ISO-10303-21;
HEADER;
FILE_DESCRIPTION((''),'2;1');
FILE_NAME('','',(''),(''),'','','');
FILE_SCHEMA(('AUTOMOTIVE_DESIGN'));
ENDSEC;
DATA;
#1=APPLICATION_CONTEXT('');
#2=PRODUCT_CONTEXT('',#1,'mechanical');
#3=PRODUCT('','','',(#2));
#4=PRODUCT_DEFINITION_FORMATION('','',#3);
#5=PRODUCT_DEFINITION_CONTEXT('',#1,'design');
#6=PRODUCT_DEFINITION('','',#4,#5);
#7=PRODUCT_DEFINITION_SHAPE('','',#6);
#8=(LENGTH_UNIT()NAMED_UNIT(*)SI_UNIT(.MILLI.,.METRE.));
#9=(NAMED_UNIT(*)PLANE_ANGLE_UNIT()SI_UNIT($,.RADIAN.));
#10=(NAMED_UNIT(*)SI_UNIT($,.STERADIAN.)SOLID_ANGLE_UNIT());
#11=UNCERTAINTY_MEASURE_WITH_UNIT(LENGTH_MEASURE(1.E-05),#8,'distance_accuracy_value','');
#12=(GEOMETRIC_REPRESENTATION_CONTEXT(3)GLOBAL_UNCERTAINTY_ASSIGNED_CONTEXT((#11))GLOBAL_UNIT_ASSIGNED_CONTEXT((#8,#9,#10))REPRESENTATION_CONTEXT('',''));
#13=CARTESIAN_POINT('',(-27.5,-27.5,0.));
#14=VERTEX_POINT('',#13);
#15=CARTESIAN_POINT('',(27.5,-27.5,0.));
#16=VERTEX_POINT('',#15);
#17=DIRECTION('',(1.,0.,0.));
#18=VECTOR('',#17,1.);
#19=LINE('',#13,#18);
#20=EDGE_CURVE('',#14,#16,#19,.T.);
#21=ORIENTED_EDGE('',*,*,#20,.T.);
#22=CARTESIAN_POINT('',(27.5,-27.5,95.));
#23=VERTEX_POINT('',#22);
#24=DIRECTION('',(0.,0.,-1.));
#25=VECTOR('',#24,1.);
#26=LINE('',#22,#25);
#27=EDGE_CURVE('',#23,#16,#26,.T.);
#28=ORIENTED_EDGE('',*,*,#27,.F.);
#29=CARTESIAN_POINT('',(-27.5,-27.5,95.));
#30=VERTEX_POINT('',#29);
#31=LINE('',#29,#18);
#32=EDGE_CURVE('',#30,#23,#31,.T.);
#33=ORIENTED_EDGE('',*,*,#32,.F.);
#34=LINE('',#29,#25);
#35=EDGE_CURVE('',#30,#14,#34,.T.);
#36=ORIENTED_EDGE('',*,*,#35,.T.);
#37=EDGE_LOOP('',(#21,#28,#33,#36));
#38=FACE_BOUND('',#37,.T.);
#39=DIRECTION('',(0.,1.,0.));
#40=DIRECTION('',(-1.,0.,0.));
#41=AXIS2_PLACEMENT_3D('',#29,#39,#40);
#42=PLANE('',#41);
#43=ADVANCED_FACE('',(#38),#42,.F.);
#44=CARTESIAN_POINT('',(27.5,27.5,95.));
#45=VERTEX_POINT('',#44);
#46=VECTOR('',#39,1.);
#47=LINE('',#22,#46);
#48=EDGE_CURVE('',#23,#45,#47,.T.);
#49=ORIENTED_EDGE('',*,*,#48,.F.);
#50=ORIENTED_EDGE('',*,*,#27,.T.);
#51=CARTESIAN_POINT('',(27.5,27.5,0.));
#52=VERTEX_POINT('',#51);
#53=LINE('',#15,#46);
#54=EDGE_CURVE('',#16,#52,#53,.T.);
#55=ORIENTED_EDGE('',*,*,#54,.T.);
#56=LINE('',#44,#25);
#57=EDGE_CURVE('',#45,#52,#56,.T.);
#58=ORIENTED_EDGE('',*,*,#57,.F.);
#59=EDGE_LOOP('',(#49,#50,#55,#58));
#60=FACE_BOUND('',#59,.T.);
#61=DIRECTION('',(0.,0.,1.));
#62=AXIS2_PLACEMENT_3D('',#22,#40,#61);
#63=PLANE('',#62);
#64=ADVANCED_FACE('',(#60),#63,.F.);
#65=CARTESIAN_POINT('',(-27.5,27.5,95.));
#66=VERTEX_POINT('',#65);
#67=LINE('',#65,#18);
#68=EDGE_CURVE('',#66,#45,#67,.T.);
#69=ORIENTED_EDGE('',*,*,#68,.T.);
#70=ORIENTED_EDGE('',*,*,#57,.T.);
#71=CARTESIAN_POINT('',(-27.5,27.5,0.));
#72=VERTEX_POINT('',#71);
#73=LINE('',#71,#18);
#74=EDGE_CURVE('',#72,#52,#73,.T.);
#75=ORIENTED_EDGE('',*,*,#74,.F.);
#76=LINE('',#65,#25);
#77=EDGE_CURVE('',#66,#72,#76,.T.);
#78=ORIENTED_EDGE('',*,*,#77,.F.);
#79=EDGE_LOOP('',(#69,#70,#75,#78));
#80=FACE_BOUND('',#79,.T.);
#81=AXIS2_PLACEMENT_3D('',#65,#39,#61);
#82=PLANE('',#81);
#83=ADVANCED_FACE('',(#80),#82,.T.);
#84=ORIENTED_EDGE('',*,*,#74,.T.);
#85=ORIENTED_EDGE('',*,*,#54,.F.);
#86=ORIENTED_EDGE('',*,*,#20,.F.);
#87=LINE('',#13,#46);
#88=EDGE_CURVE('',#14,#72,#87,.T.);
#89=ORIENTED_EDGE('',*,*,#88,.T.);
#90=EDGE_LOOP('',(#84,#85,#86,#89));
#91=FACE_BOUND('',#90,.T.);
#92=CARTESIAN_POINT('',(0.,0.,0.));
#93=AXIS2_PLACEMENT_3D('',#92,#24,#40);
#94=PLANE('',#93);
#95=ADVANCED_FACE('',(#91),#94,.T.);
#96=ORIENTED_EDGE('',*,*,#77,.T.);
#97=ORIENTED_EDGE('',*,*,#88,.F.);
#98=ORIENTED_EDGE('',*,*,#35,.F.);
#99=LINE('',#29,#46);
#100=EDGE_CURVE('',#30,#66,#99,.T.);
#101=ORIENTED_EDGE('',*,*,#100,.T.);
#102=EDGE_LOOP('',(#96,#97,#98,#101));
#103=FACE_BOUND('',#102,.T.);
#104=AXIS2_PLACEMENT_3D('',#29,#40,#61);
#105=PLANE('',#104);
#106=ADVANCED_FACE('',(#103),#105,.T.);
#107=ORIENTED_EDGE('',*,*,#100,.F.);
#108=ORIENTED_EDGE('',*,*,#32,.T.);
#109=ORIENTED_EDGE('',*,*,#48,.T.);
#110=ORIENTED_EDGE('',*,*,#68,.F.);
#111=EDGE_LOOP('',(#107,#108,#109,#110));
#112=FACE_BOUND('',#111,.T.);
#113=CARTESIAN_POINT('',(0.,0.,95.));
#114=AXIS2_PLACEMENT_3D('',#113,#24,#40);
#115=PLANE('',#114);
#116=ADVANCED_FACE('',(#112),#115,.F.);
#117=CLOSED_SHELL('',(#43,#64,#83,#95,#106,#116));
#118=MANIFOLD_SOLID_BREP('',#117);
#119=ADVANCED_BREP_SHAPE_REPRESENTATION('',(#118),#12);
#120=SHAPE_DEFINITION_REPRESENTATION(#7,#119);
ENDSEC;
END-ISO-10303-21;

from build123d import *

# Parameters (mm, degrees)
ESQUISSE1_W        = 55
ESQUISSE1_H        = 55
BOSS_EXTRU_2_DEPTH = 95


with BuildPart() as part:
    # Esquisse1 → Boss.-Extru.2 (new body)
    with BuildSketch(Plane.XY):
        Rectangle(ESQUISSE1_W, ESQUISSE1_H)
    extrude(amount=BOSS_EXTRU_2_DEPTH)


solid = part.part
